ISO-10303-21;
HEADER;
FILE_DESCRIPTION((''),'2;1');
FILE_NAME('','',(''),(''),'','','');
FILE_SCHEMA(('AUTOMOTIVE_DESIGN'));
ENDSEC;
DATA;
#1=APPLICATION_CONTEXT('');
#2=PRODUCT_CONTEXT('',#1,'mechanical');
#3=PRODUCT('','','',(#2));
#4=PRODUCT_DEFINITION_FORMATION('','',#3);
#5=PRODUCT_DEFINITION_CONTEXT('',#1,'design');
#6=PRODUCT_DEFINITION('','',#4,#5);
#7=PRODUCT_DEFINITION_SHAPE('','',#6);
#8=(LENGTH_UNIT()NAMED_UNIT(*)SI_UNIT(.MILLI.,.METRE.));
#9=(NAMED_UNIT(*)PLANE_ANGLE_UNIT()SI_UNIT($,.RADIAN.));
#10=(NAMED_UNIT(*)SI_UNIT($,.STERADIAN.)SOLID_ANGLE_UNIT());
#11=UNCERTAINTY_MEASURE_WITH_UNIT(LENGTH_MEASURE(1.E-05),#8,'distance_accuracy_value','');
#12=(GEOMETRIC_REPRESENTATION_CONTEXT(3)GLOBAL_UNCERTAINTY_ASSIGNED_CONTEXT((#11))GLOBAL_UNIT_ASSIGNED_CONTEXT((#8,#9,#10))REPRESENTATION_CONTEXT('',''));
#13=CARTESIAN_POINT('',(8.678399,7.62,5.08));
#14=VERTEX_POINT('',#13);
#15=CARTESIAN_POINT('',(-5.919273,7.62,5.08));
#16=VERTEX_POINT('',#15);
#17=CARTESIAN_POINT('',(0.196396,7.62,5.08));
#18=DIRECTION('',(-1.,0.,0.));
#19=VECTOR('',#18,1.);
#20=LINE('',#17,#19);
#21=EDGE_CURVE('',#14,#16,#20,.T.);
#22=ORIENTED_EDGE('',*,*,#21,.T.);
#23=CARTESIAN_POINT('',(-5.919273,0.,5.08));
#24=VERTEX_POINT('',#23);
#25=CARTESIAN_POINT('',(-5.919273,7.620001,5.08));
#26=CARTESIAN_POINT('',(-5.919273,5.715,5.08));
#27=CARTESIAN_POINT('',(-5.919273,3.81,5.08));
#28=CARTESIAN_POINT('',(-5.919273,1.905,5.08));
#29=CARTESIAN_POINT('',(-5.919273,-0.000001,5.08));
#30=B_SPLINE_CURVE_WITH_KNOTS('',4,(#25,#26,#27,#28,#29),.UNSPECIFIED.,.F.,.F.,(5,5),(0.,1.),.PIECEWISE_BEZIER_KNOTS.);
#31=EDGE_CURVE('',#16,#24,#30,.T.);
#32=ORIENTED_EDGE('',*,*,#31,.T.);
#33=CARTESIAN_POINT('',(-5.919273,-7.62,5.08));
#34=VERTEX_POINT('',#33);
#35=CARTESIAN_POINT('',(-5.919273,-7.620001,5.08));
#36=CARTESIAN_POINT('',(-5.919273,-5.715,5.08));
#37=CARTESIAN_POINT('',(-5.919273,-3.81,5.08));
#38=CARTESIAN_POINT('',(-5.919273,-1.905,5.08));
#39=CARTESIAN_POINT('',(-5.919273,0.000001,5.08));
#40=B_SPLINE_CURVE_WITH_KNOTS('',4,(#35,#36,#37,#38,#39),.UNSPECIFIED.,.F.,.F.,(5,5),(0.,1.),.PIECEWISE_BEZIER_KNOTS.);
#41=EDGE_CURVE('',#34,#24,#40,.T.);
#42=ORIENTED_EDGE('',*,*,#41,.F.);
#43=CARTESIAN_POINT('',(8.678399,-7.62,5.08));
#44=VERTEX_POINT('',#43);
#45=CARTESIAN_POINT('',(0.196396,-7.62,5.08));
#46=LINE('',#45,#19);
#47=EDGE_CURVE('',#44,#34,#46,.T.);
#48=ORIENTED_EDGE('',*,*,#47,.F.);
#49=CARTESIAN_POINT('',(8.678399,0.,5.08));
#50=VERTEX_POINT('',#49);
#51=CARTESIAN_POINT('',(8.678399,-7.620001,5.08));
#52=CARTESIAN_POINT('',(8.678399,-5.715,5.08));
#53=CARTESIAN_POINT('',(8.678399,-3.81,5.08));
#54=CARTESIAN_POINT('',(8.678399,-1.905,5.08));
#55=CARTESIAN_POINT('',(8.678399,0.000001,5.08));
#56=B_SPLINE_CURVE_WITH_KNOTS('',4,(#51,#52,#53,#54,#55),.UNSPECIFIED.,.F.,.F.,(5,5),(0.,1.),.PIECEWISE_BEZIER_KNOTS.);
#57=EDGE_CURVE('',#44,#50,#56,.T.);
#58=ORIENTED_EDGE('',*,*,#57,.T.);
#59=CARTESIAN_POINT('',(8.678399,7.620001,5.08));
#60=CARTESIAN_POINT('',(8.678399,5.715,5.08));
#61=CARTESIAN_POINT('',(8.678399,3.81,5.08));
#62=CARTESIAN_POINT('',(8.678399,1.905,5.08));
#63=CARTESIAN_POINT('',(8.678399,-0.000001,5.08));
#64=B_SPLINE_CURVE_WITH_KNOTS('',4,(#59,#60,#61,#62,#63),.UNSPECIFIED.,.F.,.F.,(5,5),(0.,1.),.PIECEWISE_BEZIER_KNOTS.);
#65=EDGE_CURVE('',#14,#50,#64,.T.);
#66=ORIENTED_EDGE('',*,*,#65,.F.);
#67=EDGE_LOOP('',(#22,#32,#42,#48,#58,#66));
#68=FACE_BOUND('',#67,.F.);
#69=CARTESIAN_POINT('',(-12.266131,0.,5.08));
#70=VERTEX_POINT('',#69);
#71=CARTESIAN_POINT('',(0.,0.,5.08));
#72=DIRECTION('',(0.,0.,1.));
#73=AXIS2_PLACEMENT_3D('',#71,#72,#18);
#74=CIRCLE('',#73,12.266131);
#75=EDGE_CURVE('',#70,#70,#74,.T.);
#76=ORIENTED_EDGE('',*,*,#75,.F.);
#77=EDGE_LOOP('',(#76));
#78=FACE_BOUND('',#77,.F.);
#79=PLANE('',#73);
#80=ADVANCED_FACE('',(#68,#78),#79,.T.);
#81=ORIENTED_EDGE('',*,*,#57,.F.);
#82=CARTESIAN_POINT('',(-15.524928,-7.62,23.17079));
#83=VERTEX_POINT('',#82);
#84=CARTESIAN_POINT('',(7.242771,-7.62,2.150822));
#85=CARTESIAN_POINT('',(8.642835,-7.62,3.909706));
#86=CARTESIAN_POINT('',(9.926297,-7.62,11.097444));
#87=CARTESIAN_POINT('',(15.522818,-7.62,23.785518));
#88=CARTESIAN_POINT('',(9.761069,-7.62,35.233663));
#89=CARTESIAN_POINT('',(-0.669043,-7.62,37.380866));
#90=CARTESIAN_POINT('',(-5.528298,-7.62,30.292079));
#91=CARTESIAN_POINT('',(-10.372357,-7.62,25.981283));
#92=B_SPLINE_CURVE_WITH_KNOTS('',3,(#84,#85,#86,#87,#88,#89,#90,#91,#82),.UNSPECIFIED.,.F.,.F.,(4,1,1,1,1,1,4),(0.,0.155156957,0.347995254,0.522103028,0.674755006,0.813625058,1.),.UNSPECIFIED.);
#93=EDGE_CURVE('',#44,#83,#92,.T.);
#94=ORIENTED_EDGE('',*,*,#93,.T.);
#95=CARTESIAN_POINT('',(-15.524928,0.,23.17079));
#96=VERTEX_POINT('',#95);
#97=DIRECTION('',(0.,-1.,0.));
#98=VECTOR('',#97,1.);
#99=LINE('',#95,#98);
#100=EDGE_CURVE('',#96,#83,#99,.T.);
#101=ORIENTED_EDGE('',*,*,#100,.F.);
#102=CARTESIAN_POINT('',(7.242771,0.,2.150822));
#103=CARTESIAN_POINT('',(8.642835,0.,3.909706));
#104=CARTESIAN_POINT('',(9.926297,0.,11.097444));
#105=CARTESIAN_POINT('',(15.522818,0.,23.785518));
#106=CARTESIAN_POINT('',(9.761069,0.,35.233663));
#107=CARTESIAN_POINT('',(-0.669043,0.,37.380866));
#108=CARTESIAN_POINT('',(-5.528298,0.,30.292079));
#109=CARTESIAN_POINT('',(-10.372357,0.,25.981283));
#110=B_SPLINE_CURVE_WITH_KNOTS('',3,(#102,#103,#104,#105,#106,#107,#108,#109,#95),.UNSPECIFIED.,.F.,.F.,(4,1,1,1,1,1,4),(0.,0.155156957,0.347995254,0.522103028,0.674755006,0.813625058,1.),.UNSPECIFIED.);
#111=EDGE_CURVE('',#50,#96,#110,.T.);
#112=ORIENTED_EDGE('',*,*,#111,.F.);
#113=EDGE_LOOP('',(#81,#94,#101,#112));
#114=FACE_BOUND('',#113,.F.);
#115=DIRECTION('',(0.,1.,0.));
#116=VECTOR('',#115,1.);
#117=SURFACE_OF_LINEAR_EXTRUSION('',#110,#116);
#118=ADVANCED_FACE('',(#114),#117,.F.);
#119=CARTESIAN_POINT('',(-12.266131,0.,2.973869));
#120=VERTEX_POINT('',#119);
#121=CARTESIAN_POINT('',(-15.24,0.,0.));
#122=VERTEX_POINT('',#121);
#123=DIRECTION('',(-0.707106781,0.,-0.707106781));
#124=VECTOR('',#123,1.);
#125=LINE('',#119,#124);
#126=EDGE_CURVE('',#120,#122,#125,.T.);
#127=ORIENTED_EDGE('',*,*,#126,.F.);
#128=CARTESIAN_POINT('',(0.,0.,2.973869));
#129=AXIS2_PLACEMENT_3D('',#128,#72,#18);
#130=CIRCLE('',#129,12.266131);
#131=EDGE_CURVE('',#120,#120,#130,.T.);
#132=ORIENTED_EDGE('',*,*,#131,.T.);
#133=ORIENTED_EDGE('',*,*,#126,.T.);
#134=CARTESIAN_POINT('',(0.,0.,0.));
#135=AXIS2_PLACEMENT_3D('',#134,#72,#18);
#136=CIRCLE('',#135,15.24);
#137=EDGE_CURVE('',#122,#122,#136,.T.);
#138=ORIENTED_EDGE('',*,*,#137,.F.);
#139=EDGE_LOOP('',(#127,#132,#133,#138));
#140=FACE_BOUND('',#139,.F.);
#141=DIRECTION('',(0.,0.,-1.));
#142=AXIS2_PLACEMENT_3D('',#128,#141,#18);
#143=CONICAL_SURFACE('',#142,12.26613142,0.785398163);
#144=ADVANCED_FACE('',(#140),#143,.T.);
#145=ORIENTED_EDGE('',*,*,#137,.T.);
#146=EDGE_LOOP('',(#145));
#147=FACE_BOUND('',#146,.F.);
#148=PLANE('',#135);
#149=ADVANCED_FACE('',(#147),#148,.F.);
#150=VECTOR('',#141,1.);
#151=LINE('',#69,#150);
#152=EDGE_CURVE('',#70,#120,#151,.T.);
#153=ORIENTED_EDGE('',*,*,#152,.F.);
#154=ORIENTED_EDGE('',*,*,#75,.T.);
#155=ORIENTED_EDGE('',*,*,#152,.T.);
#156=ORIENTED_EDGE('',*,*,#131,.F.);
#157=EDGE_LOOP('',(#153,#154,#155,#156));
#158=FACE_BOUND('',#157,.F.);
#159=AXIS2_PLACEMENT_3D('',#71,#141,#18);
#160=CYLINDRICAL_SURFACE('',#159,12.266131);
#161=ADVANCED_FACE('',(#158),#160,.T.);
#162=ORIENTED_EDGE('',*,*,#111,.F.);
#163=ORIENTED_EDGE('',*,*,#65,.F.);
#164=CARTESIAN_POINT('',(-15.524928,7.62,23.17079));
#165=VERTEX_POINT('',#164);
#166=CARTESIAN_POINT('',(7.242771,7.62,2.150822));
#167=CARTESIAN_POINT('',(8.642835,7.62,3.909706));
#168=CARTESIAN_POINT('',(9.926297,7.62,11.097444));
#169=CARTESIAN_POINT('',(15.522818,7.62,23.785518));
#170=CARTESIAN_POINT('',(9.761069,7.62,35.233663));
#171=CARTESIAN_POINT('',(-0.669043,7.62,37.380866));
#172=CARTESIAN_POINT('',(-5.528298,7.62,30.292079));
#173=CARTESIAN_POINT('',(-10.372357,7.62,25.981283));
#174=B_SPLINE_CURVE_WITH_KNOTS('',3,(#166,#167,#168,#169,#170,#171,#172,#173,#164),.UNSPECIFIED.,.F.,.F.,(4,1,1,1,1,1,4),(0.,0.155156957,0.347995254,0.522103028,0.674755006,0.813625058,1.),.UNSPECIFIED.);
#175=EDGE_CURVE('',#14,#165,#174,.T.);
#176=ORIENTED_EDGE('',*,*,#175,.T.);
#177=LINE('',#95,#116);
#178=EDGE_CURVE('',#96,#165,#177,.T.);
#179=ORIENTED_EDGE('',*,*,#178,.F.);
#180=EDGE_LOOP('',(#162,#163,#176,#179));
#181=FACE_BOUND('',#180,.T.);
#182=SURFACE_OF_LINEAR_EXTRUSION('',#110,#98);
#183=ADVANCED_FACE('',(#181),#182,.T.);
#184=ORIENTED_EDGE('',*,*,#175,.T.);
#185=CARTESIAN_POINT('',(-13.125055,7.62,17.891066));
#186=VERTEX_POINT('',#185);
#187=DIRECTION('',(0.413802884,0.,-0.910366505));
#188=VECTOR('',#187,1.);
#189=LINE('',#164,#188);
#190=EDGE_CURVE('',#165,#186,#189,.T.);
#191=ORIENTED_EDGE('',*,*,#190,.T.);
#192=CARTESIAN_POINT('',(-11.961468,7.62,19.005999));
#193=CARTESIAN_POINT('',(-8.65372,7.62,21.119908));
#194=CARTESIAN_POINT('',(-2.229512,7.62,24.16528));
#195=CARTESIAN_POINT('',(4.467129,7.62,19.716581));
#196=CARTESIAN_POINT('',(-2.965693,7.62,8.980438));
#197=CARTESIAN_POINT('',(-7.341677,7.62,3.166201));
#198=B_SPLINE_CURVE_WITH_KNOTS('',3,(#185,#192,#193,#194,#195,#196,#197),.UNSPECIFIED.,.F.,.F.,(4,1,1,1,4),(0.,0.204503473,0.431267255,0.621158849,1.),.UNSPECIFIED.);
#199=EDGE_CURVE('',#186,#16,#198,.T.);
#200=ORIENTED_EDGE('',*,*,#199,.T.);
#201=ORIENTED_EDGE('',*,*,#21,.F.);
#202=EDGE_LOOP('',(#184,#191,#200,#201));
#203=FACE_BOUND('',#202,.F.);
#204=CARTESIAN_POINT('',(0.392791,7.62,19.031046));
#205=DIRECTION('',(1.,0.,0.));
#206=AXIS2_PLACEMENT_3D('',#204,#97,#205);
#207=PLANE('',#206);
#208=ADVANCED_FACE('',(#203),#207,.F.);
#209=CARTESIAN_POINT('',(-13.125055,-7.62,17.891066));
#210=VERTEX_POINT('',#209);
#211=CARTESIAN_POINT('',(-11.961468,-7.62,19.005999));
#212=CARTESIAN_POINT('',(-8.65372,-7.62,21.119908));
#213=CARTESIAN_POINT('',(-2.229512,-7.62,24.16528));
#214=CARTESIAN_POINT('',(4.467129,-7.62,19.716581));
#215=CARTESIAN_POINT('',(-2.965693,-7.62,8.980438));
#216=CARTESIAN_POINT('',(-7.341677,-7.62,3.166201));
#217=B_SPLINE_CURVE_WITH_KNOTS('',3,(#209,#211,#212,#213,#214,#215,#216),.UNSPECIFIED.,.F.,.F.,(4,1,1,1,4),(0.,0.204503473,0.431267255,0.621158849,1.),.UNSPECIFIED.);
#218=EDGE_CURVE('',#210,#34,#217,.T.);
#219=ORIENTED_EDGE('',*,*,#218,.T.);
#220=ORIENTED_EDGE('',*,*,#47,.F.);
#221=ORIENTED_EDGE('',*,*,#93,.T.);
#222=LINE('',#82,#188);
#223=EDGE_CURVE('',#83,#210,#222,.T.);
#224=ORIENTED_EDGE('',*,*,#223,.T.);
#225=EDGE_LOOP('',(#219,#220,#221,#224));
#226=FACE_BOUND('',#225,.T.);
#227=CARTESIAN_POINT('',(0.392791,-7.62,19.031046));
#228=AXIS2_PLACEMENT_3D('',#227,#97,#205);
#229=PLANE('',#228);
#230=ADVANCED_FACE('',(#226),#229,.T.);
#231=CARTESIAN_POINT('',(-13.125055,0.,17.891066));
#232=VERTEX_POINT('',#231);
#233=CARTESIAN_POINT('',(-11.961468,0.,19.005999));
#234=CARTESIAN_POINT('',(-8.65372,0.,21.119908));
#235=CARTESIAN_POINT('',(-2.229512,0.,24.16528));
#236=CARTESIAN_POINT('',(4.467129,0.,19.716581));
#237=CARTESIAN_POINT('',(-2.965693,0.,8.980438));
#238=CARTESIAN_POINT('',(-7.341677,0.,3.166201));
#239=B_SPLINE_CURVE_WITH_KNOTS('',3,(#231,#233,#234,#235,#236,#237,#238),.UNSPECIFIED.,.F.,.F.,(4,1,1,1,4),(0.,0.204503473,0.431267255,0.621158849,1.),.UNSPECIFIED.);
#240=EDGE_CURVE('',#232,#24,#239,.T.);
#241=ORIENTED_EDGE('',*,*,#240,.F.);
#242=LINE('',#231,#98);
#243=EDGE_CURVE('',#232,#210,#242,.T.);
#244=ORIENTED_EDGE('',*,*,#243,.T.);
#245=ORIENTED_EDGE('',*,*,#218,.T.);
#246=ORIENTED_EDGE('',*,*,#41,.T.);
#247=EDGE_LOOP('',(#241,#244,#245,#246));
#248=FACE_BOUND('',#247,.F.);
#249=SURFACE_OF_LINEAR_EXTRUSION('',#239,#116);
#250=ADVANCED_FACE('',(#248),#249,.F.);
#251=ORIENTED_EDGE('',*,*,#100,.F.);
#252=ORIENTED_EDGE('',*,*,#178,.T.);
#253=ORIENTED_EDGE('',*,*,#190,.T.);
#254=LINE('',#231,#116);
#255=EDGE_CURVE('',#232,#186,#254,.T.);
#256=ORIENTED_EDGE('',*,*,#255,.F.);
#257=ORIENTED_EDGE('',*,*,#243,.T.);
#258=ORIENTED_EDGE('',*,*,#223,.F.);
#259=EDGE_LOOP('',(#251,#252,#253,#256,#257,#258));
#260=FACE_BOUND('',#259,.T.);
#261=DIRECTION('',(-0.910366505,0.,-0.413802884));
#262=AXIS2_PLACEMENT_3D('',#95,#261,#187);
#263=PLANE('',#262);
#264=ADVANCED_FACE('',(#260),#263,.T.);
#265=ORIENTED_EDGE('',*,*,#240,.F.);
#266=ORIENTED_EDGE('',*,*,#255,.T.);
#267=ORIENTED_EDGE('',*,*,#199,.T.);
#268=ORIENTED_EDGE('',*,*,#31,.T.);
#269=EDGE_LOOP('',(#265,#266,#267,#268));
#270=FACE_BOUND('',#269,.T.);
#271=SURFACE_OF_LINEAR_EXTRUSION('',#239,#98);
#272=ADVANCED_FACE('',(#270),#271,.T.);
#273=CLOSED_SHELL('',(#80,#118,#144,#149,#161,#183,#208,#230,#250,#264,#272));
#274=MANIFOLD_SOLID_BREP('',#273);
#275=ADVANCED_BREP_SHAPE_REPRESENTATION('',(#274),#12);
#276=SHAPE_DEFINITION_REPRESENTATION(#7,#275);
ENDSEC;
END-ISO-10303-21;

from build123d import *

# Parameters (mm, degrees)
F3_DEPTH      = 7.62
F3_DEPTH_BACK = 7.62


with BuildPart() as f1:
    # F0 (on Front) → F1 (revolve)
    with BuildSketch(Plane.XZ):
        Polygon((-15.24, 0), (0, 0), (0, 5.08), (-12.2661314196, 5.08), (-12.2661314196, 2.9738685804), align=None)
    revolve(axis=Axis((0, 0, 2.54), (0, 0, 1)))

    # F2 (on Front) → F3 (join, two sides)
    with BuildSketch(Plane.XZ) as f3_sk:
        with BuildLine():
            Line((-7.3416769874, 3.1662012553), (0, 3.3688344993))
            Line((0, 3.3688344993), (7.2427706889, 2.150822198))
            add(Edge.make_bspline(
                [(7.2427706889, 2.150822198), (8.6428351263, 3.9097056358), (9.9262974456, 11.0974441008), (15.5228182491, 23.7855183633), (9.76106866, 35.2336628085), (-0.6690425446, 37.380866027), (-5.5282984066, 30.2920788624), (-10.3723574545, 25.9812829784), (-15.524928458, 23.1707897037)],
                knots=[0, 0, 0, 0, 0.1551569571, 0.3479952539, 0.5221030276, 0.6747550055, 0.8136250582, 1, 1, 1, 1], degree=3))
            Line((-15.524928458, 23.1707897037), (-13.1250545382, 17.8910661489))
            add(Edge.make_bspline(
                [(-13.1250545382, 17.8910661489), (-11.9614680408, 19.0059994408), (-8.6537195801, 21.1199080777), (-2.2295121867, 24.1652797338), (4.4671287418, 19.7165806832), (-2.965693025, 8.9804379749), (-7.3416769874, 3.1662012553)],
                knots=[0, 0, 0, 0, 0.2045034732, 0.4312672546, 0.6211588488, 1, 1, 1, 1], degree=3))
        make_face()
    extrude(amount=F3_DEPTH)
    extrude(f3_sk.sketch, amount=-F3_DEPTH_BACK)


solid = f1.part
